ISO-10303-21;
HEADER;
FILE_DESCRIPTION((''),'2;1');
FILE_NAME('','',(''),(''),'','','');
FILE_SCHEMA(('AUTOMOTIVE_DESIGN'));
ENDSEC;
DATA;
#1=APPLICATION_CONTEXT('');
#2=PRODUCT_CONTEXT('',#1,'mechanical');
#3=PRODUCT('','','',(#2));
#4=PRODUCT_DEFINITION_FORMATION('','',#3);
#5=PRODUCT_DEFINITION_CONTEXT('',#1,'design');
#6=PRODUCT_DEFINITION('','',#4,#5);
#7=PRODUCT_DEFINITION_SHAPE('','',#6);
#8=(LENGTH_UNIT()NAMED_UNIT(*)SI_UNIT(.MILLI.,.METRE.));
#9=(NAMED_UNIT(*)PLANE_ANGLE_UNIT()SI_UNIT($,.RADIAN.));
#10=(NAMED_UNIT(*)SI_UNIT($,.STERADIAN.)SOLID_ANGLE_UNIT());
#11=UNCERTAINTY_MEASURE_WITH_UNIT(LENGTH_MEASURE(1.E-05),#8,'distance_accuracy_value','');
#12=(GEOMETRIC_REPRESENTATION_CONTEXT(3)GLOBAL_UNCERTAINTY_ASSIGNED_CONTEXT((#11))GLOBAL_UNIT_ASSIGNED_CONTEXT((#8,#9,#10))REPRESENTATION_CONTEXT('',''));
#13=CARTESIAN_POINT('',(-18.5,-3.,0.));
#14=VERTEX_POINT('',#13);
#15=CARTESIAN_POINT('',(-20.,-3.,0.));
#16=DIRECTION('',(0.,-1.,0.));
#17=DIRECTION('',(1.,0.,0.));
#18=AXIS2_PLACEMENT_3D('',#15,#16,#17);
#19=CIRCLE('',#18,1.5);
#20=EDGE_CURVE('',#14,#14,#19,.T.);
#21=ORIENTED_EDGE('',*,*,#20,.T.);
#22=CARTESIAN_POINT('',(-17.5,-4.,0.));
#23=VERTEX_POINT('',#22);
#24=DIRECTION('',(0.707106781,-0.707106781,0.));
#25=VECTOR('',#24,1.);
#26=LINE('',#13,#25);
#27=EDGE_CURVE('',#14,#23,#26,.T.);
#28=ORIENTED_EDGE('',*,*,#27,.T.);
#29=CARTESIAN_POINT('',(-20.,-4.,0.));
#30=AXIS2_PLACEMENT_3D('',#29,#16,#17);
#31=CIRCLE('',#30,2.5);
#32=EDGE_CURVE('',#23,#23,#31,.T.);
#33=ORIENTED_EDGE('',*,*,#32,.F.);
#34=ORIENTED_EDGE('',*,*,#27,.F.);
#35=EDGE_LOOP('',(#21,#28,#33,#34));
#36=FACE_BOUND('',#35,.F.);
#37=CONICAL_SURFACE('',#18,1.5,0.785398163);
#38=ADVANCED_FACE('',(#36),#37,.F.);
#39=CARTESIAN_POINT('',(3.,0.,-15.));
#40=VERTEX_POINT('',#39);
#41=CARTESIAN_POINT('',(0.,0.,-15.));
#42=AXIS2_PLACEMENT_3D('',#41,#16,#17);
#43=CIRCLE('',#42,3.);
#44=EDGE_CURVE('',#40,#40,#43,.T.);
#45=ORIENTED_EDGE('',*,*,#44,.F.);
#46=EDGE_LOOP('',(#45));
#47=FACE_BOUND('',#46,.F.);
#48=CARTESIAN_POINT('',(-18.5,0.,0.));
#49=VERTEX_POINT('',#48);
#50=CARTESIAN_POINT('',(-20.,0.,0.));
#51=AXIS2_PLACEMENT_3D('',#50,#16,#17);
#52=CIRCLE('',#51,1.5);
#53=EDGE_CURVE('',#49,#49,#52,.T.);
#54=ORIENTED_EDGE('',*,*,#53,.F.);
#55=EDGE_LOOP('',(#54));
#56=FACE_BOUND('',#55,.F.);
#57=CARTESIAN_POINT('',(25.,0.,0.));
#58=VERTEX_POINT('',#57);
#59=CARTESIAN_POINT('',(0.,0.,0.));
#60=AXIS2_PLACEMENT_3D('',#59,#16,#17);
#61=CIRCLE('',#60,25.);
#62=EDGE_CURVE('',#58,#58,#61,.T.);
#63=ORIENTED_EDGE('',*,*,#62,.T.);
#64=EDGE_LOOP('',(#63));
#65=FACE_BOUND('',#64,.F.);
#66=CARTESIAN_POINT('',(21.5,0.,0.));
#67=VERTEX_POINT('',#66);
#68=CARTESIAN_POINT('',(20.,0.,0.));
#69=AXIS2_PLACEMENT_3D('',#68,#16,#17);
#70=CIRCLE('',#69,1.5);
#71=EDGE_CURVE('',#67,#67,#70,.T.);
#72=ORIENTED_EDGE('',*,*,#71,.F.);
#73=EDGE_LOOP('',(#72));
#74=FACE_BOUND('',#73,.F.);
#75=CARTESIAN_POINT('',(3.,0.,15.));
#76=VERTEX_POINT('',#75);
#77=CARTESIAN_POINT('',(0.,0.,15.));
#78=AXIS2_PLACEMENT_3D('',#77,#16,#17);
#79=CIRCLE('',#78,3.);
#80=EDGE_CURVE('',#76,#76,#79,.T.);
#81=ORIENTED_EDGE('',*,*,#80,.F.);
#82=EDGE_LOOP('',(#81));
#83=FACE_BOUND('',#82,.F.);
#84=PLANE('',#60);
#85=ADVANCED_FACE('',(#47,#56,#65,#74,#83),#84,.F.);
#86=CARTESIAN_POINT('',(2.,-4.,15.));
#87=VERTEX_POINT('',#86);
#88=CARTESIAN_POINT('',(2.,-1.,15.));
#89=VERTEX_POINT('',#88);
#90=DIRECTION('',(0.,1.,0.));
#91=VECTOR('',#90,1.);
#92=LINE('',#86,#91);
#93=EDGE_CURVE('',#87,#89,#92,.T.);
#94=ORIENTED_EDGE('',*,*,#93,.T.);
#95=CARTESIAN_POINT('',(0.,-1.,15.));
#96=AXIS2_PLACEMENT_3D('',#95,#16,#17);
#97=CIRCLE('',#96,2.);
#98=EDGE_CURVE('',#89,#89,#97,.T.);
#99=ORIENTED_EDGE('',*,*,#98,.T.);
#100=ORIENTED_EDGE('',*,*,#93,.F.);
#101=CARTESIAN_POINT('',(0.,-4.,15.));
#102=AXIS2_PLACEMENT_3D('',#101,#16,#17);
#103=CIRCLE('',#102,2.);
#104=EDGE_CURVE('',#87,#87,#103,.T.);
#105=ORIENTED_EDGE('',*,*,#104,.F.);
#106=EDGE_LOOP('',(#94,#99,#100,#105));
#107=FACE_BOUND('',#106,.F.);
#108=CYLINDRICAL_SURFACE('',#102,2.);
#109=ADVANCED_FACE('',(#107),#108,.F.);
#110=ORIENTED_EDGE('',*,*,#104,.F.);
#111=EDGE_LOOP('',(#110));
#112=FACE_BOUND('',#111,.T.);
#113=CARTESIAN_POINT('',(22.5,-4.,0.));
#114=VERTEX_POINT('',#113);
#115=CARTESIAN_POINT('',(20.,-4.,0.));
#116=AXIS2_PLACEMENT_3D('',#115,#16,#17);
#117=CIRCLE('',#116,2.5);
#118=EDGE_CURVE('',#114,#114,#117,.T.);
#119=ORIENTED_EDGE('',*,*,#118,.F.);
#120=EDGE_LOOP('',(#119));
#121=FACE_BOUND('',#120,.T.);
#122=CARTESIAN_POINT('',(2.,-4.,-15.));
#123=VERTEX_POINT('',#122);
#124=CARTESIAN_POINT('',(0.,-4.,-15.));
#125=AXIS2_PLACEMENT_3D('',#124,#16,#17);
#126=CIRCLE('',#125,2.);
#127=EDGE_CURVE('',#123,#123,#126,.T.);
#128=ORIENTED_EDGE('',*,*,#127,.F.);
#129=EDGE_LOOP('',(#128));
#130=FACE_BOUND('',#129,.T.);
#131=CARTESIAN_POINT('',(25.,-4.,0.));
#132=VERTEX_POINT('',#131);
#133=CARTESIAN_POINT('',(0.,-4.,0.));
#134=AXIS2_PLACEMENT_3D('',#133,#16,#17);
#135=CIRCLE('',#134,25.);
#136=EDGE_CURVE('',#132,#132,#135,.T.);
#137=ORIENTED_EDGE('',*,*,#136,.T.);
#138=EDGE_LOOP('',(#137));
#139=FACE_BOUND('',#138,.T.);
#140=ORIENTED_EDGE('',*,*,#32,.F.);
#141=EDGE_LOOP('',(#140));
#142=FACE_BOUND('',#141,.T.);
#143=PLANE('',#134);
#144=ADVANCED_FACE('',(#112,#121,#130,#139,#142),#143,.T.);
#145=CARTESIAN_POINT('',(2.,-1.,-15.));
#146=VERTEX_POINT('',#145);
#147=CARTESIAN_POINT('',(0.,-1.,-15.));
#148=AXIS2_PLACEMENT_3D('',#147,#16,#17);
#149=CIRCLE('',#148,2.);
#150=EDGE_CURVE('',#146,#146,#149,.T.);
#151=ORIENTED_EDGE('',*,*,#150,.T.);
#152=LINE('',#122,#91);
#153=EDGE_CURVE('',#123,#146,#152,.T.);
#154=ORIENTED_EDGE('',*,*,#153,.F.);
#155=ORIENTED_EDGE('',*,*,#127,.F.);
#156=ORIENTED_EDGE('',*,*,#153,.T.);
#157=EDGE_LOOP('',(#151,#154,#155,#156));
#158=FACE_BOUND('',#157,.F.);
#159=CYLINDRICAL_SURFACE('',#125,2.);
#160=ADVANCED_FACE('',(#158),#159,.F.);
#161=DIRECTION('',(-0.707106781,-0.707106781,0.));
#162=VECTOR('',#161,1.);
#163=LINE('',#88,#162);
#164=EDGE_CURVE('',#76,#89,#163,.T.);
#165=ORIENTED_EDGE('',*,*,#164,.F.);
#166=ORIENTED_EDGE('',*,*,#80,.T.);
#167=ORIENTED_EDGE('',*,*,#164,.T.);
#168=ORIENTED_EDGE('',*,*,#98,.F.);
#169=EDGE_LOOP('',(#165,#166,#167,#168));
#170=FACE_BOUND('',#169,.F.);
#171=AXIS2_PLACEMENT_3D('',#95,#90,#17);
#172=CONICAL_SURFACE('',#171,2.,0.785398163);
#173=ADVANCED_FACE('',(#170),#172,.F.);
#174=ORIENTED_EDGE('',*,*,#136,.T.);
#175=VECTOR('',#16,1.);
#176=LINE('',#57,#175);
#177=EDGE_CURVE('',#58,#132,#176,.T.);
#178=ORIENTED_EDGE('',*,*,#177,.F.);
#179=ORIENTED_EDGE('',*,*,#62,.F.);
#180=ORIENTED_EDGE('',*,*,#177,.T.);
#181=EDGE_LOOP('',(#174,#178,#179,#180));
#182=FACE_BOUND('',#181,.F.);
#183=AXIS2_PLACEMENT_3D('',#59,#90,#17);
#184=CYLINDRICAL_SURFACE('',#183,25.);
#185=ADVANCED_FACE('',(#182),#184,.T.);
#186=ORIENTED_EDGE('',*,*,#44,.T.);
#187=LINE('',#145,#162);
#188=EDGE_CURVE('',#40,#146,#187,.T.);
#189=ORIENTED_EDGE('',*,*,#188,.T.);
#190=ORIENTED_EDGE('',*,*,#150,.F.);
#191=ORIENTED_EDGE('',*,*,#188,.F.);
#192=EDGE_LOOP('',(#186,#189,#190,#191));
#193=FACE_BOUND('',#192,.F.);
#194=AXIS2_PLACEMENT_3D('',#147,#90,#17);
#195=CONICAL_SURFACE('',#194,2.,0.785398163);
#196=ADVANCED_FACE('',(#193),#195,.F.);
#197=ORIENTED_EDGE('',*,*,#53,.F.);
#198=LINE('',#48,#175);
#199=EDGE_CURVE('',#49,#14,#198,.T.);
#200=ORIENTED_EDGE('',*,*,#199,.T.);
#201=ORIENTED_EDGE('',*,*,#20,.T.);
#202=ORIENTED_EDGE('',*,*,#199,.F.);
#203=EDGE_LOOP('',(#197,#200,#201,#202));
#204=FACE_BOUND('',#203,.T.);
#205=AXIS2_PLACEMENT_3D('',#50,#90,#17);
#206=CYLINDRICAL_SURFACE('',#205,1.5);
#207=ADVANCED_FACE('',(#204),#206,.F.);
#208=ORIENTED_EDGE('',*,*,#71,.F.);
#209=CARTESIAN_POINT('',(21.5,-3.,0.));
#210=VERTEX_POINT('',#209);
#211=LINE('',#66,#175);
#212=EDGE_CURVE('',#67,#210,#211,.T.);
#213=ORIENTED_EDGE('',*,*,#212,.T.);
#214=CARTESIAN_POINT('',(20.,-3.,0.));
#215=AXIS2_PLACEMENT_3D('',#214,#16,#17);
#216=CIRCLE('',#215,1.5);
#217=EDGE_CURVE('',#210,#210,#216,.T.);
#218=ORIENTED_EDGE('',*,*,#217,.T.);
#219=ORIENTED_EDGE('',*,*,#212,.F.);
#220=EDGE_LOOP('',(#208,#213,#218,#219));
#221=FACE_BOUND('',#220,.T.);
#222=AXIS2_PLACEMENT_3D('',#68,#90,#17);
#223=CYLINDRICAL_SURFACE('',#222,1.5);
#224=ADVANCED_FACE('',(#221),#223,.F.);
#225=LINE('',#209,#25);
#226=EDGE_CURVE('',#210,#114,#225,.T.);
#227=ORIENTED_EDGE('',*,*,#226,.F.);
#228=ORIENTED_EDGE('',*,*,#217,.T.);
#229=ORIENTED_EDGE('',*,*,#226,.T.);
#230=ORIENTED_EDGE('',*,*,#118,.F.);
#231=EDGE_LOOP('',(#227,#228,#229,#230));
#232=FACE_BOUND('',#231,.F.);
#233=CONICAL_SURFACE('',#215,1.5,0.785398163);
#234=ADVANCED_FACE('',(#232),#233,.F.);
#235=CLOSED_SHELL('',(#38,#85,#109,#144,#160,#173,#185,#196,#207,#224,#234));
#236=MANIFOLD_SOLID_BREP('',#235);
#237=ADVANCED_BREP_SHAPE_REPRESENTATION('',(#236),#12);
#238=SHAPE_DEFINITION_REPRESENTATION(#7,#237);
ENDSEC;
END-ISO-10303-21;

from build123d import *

# Parameters (mm, degrees)
F0_R     = 25
F0_R_2   = 1.5
F1_DEPTH = 4
F2_SIZE  = 1
F3_R     = 2
F4_DEPTH = 4.001
F5_SIZE  = 1


with BuildPart() as f1:
    # F0 (on Front) → F1 (new body)
    with BuildSketch(Plane.XZ):
        Circle(F0_R)
        with Locations((-20, 0)):
            Circle(F0_R_2, mode=Mode.SUBTRACT)
        with Locations((20, 0)):
            Circle(F0_R_2, mode=Mode.SUBTRACT)
    extrude(amount=F1_DEPTH)

    # F2
    f2_edges = [f1.edges().sort_by_distance(p)[0] for p in [
        (-21.5, -4, 0),
        (18.5, -4, 0),
    ]]
    chamfer(f2_edges, length=F2_SIZE)

    # F3 (on face) → F4 (cut, through all)
    with BuildSketch(Plane.XZ.offset(4)):
        with Locations((0, 15)):
            Circle(F3_R)
        with Locations((0, -15)):
            Circle(F3_R)
    extrude(amount=-F4_DEPTH, mode=Mode.SUBTRACT)

    # F5
    f5_edges = [f1.edges().sort_by_distance(p)[0] for p in [
        (-2, 0, 15),
        (-2, 0, -15),
    ]]
    chamfer(f5_edges, length=F5_SIZE)


solid = f1.part
